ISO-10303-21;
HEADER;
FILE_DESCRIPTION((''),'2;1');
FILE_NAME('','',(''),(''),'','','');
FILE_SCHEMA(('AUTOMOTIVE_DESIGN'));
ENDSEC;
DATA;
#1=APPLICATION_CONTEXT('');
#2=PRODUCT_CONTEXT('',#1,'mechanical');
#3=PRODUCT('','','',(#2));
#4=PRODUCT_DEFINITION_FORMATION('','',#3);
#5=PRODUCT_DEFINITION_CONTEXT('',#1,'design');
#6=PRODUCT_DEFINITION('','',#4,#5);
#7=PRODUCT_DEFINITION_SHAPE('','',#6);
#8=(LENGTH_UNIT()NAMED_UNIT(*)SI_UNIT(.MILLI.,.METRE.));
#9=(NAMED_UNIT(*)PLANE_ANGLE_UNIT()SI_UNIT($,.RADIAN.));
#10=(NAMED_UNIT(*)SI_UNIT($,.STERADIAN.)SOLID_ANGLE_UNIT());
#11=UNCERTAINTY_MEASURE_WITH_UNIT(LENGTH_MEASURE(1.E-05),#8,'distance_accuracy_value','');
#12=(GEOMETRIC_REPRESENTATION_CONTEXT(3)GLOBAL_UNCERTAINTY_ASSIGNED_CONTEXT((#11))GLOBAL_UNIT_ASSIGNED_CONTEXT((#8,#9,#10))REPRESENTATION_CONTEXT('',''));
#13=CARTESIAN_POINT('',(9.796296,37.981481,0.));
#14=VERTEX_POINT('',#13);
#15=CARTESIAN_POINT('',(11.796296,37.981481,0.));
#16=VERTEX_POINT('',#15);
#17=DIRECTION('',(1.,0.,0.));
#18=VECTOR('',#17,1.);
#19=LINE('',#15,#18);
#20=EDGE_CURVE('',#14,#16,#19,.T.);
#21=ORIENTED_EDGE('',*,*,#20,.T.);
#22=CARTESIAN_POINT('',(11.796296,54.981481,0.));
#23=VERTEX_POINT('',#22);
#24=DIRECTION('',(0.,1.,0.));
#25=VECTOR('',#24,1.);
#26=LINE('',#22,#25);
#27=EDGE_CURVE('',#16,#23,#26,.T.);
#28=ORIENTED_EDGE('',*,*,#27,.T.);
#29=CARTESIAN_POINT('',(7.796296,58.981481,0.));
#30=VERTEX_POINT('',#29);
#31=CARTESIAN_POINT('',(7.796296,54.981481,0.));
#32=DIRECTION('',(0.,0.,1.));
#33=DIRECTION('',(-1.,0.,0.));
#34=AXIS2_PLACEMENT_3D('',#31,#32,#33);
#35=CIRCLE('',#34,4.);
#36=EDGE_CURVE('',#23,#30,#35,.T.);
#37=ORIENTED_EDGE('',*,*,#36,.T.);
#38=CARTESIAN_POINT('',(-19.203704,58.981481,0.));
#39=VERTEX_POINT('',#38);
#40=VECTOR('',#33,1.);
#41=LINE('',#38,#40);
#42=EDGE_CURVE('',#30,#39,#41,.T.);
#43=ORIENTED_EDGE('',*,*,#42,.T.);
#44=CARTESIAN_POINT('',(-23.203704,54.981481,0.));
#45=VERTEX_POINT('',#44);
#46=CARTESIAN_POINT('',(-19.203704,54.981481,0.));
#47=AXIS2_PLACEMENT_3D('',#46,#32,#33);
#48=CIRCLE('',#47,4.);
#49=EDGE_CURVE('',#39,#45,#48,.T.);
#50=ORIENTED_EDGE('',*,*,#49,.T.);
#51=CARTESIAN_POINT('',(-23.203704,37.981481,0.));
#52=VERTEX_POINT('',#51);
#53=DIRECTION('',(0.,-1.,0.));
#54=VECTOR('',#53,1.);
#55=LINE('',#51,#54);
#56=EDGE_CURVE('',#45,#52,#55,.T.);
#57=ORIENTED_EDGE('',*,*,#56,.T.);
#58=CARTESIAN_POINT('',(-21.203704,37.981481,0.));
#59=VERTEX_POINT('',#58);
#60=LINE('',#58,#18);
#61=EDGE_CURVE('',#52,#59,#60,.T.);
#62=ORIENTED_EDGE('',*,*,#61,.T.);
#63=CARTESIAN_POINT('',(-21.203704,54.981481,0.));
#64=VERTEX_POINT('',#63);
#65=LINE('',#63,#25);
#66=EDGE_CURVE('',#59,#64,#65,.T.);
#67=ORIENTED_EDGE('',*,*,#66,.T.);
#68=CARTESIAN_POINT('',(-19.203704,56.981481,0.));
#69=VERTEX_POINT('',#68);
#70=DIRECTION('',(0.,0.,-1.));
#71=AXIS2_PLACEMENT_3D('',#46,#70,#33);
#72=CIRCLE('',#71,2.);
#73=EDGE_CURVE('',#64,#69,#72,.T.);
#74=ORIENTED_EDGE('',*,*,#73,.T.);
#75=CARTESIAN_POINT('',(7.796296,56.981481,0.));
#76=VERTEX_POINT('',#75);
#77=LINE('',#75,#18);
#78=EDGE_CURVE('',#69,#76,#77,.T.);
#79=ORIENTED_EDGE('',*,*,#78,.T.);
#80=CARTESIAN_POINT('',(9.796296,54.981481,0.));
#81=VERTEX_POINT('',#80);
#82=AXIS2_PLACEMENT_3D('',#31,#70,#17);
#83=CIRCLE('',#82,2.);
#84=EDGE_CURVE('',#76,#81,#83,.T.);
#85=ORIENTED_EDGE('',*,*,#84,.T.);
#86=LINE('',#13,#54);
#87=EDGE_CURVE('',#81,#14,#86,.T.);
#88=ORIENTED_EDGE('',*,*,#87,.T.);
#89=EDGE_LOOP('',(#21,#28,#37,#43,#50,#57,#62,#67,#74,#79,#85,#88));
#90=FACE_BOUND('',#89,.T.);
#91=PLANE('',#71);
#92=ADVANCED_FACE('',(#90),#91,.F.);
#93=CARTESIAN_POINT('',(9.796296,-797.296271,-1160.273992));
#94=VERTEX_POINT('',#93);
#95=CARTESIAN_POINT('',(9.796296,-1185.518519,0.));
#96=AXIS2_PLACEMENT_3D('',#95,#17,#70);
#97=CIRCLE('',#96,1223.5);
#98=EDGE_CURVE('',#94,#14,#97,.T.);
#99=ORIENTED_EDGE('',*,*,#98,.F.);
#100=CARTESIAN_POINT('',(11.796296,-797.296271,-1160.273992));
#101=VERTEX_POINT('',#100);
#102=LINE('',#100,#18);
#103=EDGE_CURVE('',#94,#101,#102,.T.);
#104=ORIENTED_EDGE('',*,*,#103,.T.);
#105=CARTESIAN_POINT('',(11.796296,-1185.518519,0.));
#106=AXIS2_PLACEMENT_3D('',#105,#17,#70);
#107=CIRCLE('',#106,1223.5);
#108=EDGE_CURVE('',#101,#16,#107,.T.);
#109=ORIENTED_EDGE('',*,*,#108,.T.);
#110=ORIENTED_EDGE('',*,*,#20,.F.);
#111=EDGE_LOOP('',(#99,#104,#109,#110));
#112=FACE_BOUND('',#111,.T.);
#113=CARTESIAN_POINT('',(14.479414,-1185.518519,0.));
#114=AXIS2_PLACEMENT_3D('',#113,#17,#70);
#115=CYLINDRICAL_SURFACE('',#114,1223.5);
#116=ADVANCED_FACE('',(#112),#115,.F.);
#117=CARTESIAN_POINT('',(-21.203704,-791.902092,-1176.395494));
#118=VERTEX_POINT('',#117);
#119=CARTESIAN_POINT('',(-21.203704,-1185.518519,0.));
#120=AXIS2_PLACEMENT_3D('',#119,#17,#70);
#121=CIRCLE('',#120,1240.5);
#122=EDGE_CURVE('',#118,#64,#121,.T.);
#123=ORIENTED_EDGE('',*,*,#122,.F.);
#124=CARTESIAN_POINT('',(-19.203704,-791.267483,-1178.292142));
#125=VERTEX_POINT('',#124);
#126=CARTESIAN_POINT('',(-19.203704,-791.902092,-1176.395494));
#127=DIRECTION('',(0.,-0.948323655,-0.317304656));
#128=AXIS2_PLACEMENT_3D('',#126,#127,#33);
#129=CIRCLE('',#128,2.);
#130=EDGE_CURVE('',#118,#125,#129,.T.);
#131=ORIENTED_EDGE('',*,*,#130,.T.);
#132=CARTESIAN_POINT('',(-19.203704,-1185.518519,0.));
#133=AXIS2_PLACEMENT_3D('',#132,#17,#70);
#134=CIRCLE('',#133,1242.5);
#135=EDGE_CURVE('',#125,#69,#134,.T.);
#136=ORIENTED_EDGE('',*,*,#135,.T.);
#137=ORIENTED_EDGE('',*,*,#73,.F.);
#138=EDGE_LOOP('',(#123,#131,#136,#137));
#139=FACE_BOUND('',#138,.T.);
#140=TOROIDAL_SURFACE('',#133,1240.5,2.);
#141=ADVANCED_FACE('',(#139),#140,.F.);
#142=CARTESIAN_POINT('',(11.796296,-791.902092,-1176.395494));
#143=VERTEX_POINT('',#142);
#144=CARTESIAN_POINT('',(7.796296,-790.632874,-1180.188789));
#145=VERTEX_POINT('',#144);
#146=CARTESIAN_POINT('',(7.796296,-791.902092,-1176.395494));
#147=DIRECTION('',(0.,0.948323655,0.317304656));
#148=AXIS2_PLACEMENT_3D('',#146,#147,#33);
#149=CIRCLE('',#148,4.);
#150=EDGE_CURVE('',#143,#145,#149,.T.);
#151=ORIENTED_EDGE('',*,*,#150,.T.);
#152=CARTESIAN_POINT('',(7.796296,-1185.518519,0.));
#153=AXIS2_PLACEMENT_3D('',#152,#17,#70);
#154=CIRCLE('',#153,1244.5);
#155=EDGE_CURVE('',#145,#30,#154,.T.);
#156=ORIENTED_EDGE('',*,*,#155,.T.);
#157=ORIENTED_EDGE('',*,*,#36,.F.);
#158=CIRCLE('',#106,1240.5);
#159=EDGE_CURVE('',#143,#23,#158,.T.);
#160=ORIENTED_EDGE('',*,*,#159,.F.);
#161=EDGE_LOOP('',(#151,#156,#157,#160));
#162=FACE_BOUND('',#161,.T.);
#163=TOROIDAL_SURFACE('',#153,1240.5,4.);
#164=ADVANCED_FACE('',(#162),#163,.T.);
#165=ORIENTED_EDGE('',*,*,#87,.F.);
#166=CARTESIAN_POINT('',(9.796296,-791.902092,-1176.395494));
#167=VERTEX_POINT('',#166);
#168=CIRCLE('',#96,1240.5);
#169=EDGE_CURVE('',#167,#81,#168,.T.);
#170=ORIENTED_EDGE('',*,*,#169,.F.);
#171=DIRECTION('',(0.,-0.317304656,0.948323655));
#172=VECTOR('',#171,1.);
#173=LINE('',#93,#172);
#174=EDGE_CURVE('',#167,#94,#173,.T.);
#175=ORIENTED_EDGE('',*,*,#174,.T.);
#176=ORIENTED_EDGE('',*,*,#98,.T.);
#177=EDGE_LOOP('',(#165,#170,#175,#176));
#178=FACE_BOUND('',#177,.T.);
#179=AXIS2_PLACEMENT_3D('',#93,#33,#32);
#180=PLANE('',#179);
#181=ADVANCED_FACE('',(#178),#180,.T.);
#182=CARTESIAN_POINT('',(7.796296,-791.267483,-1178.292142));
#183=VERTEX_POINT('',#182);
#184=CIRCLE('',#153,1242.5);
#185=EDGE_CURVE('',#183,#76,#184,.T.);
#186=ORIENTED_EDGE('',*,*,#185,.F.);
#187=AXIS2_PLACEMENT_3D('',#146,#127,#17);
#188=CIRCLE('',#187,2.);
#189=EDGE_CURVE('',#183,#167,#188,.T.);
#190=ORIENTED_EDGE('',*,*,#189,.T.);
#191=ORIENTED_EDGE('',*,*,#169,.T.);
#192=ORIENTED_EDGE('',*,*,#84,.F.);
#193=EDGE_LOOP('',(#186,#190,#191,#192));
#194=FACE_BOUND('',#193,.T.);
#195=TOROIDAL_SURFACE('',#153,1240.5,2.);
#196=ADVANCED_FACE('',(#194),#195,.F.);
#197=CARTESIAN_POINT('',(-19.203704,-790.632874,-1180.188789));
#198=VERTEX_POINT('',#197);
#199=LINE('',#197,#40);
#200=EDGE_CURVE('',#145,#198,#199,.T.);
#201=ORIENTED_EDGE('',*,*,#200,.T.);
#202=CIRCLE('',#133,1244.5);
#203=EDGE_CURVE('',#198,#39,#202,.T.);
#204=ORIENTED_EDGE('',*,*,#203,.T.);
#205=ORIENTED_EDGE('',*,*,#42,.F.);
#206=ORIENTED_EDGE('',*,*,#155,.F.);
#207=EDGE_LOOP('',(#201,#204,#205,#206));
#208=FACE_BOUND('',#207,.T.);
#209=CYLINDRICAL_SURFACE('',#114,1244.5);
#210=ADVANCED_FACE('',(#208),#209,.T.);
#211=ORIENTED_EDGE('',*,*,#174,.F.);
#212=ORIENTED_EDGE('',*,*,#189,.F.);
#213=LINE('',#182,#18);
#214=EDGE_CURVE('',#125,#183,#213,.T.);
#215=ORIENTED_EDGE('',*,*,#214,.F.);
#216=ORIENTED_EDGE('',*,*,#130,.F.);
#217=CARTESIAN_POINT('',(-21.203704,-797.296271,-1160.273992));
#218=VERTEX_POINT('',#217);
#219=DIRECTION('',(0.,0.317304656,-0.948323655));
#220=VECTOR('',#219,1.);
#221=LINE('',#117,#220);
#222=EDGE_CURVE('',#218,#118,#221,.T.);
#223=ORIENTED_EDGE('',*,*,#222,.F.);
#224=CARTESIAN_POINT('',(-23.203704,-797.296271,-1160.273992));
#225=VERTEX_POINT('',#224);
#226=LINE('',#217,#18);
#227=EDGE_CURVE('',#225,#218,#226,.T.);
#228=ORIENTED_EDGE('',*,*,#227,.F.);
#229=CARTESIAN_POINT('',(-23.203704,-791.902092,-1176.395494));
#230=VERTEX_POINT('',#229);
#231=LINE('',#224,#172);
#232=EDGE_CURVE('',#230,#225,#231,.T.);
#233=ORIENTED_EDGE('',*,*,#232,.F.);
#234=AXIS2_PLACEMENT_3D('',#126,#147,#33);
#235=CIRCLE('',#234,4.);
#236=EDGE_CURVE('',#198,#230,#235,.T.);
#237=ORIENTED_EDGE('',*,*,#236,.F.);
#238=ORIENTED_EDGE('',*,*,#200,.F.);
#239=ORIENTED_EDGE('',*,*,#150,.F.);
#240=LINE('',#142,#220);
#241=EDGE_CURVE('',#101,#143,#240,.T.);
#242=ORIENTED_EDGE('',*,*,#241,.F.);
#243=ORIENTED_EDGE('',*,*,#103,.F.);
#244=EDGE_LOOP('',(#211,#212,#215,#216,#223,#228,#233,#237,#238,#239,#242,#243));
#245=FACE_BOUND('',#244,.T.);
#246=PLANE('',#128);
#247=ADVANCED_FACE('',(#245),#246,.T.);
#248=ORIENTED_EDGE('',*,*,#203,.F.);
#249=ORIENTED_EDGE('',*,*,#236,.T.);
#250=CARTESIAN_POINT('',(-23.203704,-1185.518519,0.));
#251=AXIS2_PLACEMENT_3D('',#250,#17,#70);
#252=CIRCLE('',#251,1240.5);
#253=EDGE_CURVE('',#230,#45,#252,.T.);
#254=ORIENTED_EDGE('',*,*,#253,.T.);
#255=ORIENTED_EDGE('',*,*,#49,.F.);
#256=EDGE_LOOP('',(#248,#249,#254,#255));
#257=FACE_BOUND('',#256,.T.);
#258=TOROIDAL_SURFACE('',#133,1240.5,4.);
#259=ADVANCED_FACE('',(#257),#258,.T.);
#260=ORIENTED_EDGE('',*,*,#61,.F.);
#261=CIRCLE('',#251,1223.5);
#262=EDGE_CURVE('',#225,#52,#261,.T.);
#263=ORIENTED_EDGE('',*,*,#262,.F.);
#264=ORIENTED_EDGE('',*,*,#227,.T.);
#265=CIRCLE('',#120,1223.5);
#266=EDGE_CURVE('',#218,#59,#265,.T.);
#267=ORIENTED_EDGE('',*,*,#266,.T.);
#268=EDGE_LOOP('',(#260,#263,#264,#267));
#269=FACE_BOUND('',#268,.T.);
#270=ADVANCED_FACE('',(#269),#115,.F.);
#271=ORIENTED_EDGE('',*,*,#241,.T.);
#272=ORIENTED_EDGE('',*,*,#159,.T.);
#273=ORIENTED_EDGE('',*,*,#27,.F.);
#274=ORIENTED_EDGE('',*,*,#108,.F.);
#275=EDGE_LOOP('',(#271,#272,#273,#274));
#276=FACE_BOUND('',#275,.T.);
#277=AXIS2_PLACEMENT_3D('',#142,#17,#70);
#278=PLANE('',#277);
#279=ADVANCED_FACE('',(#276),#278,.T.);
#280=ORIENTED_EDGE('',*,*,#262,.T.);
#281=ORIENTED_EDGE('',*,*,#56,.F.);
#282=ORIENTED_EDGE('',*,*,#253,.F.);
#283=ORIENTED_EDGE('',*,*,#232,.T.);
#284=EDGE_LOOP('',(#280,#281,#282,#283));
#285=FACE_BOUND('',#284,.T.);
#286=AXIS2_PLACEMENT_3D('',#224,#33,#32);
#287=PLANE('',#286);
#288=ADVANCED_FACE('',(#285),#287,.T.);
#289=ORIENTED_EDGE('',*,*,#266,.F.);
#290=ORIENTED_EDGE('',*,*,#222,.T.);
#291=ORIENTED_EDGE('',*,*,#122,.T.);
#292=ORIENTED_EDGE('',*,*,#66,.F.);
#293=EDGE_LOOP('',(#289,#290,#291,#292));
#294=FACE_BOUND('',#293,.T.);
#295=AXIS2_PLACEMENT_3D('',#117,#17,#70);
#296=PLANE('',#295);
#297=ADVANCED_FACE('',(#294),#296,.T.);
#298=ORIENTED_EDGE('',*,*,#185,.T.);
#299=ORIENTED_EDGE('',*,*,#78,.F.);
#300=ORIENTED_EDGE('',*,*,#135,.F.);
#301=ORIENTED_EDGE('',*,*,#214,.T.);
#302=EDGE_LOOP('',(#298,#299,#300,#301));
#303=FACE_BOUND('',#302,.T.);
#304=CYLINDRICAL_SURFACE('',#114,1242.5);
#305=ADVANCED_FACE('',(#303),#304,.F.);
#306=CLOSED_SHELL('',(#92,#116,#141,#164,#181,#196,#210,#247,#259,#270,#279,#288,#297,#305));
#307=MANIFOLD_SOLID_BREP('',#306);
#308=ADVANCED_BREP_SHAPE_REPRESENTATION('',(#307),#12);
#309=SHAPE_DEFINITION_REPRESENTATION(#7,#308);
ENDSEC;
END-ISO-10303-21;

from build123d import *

# Parameters (mm, degrees)
REVOLVE1_ANGLE = 71.5


with BuildPart() as part:
    # Sketch1 → Revolve1 (revolve)
    with BuildSketch(Plane.XY):
        with BuildLine():
            Line((-23.203703704, 37.981481481), (-23.203703704, 54.981481481))
            ThreePointArc((-23.203703704, 54.981481481), (-22.032130828, 57.809908606), (-19.203703704, 58.981481481))
            Line((-19.203703704, 58.981481481), (7.796296296, 58.981481481))
            ThreePointArc((7.796296296, 58.981481481), (10.624723421, 57.809908606), (11.796296296, 54.981481481))
            Line((11.796296296, 54.981481481), (11.796296296, 37.981481481))
            Line((11.796296296, 37.981481481), (9.796296296, 37.981481481))
            Line((9.796296296, 37.981481481), (9.796296296, 54.981481481))
            ThreePointArc((9.796296296, 54.981481481), (9.210509859, 56.395695044), (7.796296296, 56.981481481))
            Line((7.796296296, 56.981481481), (-19.203703704, 56.981481481))
            ThreePointArc((-19.203703704, 56.981481481), (-20.617917266, 56.395695044), (-21.203703704, 54.981481481))
            Line((-21.203703704, 54.981481481), (-21.203703704, 37.981481481))
            Line((-21.203703704, 37.981481481), (-23.203703704, 37.981481481))
        make_face()
    revolve(axis=Axis((14.479414078, -1185.518518519, 0), (-1, 0, 0)), revolution_arc=REVOLVE1_ANGLE)


solid = part.part
